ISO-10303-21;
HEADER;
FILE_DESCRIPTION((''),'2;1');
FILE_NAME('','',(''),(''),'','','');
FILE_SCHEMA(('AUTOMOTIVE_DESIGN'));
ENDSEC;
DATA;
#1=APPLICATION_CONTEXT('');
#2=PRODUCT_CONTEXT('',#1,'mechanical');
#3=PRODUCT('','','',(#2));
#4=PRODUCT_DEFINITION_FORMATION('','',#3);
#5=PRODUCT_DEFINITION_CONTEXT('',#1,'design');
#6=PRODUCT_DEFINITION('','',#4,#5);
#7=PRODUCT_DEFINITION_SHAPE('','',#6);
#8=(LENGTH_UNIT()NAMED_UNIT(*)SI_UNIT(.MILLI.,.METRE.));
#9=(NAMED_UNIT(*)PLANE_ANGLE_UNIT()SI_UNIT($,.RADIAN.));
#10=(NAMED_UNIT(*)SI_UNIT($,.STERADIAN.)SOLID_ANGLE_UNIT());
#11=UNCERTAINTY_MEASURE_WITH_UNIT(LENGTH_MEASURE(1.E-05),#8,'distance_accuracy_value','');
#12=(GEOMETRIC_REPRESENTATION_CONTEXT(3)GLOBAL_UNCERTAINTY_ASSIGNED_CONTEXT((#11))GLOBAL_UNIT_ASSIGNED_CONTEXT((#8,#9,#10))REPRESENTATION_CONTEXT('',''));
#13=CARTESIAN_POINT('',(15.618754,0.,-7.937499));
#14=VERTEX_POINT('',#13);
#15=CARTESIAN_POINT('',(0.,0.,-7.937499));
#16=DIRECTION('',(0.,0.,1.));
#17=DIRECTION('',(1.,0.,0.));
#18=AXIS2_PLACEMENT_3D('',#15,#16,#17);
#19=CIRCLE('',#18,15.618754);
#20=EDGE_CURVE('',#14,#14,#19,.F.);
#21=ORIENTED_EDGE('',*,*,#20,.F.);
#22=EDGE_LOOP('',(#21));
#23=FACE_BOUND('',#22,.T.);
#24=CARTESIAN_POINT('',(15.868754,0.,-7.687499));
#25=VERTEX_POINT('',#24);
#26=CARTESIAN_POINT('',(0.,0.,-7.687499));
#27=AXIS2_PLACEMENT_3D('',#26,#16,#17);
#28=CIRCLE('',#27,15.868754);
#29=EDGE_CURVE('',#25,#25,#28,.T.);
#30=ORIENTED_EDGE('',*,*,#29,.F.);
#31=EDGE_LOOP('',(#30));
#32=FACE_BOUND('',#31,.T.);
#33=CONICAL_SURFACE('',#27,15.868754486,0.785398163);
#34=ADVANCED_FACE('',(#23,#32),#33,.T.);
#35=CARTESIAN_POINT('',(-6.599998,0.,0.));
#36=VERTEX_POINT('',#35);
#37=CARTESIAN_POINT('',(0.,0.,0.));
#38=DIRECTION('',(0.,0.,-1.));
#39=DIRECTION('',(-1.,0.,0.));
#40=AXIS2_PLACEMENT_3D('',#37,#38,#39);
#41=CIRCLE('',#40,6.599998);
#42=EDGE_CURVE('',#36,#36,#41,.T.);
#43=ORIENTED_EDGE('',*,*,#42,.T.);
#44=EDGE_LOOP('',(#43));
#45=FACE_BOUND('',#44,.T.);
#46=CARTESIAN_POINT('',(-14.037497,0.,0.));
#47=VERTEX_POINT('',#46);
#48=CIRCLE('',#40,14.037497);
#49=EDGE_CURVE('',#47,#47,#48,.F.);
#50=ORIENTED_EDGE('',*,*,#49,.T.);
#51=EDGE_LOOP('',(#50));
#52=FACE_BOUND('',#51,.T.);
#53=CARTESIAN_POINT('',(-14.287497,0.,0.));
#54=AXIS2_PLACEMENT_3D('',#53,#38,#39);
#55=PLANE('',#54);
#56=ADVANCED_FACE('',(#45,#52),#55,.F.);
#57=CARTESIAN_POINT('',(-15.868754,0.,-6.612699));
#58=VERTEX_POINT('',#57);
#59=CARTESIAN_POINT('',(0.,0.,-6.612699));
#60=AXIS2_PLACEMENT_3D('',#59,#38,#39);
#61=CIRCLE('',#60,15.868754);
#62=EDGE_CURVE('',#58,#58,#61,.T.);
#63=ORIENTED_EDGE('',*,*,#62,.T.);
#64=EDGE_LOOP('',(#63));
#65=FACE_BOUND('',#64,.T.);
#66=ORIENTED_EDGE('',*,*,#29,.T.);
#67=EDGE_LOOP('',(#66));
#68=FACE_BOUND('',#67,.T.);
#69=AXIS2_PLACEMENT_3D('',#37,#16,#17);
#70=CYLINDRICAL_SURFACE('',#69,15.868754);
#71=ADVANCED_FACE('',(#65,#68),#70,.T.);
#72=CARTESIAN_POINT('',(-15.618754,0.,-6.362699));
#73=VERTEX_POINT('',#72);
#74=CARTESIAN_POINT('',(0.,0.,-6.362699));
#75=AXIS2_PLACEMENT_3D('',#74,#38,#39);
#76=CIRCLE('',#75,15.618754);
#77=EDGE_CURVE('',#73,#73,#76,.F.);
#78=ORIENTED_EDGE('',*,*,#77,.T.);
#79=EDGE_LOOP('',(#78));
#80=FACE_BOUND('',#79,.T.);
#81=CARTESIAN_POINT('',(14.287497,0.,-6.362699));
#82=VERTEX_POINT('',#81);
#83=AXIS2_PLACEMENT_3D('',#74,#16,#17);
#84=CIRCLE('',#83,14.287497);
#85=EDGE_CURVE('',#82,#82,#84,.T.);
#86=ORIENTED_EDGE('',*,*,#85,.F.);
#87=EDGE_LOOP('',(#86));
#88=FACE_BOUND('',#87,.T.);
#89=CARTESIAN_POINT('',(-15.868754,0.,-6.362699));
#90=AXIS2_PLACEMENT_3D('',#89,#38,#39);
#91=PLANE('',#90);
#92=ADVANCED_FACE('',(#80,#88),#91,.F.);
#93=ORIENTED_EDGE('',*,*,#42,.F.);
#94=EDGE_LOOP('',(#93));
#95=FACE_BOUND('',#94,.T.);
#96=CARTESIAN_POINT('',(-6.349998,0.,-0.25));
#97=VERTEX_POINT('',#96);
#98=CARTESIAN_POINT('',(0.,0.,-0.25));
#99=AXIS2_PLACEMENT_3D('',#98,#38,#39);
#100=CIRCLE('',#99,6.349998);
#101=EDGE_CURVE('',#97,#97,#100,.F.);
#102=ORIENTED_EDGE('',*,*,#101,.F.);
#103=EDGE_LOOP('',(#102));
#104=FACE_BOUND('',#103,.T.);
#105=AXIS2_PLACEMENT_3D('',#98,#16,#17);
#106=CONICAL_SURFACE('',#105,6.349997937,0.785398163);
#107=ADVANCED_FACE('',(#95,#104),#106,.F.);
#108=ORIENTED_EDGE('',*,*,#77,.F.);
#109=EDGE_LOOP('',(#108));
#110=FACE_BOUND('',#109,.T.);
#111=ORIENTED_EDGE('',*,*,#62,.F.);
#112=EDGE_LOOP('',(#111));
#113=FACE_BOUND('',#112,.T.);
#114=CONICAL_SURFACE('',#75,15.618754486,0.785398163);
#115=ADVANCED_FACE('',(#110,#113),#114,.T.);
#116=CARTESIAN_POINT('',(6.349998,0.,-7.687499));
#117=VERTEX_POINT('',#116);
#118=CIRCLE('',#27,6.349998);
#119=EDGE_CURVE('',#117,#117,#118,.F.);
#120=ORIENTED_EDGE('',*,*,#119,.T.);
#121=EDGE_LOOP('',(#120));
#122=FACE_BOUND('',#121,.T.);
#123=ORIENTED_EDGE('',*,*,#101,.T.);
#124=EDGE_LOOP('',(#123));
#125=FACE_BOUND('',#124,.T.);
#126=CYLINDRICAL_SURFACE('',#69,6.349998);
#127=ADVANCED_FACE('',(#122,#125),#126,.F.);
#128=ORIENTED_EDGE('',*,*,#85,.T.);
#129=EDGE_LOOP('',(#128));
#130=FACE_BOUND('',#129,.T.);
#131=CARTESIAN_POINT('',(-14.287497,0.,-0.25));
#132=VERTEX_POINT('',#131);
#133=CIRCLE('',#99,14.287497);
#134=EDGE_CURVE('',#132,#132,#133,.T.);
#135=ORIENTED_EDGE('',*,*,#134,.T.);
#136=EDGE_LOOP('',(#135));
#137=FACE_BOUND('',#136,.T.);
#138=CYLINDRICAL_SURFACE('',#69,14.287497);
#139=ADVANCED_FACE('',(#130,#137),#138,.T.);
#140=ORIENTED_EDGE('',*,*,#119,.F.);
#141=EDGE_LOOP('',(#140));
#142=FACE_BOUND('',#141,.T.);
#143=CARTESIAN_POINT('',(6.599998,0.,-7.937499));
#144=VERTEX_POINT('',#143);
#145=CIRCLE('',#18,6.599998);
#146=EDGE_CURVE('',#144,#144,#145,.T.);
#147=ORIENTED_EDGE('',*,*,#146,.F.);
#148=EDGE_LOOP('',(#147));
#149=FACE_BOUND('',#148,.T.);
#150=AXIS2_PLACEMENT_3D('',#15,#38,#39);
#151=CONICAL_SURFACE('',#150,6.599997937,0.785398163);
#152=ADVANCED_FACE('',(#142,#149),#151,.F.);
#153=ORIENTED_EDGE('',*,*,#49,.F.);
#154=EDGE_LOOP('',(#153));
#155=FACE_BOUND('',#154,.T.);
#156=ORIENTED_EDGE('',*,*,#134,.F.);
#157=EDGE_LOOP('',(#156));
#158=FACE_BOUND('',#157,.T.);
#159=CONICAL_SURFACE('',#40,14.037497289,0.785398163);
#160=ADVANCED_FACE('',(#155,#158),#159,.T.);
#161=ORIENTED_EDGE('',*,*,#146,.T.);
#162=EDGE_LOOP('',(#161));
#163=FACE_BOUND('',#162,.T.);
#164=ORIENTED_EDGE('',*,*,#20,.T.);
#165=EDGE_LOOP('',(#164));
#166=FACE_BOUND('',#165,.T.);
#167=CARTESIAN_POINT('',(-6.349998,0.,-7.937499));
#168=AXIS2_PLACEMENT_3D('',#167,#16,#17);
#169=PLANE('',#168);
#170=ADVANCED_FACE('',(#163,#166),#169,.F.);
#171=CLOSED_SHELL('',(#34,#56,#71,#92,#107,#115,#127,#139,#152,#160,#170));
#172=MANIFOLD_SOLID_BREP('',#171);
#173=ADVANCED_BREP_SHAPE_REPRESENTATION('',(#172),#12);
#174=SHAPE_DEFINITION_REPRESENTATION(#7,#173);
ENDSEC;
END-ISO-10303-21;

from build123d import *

# Parameters (mm, degrees)
CHAMFER1_SIZE = 0.25


with BuildPart() as part:
    # Sketch1 → Revolve1 (revolve)
    with BuildSketch(Plane(origin=(0, 0, 0), x_dir=(1, 0, 0), z_dir=(0, 1, 0))):
        Polygon((-14.287497289, 6.362699291), (-14.287497289, 0), (-6.349997937, 0), (-6.349997937, 7.937499291), (-15.868754486, 7.937499291), (-15.868754486, 6.362699291), align=None)
    revolve(axis=Axis((0, 0, 0), (0, 0, -1)))

    # Chamfer1
    chamfer1_edges = [part.edges().sort_by_distance(p)[0] for p in [
        (14.287497289, 0, 0),
        (6.349997937, 0, 0),
        (6.349997937, 0, -7.937499291),
        (15.868754486, 0, -7.937499291),
        (15.868754486, 0, -6.362699291),
    ]]
    chamfer(chamfer1_edges, length=CHAMFER1_SIZE)


solid = part.part
